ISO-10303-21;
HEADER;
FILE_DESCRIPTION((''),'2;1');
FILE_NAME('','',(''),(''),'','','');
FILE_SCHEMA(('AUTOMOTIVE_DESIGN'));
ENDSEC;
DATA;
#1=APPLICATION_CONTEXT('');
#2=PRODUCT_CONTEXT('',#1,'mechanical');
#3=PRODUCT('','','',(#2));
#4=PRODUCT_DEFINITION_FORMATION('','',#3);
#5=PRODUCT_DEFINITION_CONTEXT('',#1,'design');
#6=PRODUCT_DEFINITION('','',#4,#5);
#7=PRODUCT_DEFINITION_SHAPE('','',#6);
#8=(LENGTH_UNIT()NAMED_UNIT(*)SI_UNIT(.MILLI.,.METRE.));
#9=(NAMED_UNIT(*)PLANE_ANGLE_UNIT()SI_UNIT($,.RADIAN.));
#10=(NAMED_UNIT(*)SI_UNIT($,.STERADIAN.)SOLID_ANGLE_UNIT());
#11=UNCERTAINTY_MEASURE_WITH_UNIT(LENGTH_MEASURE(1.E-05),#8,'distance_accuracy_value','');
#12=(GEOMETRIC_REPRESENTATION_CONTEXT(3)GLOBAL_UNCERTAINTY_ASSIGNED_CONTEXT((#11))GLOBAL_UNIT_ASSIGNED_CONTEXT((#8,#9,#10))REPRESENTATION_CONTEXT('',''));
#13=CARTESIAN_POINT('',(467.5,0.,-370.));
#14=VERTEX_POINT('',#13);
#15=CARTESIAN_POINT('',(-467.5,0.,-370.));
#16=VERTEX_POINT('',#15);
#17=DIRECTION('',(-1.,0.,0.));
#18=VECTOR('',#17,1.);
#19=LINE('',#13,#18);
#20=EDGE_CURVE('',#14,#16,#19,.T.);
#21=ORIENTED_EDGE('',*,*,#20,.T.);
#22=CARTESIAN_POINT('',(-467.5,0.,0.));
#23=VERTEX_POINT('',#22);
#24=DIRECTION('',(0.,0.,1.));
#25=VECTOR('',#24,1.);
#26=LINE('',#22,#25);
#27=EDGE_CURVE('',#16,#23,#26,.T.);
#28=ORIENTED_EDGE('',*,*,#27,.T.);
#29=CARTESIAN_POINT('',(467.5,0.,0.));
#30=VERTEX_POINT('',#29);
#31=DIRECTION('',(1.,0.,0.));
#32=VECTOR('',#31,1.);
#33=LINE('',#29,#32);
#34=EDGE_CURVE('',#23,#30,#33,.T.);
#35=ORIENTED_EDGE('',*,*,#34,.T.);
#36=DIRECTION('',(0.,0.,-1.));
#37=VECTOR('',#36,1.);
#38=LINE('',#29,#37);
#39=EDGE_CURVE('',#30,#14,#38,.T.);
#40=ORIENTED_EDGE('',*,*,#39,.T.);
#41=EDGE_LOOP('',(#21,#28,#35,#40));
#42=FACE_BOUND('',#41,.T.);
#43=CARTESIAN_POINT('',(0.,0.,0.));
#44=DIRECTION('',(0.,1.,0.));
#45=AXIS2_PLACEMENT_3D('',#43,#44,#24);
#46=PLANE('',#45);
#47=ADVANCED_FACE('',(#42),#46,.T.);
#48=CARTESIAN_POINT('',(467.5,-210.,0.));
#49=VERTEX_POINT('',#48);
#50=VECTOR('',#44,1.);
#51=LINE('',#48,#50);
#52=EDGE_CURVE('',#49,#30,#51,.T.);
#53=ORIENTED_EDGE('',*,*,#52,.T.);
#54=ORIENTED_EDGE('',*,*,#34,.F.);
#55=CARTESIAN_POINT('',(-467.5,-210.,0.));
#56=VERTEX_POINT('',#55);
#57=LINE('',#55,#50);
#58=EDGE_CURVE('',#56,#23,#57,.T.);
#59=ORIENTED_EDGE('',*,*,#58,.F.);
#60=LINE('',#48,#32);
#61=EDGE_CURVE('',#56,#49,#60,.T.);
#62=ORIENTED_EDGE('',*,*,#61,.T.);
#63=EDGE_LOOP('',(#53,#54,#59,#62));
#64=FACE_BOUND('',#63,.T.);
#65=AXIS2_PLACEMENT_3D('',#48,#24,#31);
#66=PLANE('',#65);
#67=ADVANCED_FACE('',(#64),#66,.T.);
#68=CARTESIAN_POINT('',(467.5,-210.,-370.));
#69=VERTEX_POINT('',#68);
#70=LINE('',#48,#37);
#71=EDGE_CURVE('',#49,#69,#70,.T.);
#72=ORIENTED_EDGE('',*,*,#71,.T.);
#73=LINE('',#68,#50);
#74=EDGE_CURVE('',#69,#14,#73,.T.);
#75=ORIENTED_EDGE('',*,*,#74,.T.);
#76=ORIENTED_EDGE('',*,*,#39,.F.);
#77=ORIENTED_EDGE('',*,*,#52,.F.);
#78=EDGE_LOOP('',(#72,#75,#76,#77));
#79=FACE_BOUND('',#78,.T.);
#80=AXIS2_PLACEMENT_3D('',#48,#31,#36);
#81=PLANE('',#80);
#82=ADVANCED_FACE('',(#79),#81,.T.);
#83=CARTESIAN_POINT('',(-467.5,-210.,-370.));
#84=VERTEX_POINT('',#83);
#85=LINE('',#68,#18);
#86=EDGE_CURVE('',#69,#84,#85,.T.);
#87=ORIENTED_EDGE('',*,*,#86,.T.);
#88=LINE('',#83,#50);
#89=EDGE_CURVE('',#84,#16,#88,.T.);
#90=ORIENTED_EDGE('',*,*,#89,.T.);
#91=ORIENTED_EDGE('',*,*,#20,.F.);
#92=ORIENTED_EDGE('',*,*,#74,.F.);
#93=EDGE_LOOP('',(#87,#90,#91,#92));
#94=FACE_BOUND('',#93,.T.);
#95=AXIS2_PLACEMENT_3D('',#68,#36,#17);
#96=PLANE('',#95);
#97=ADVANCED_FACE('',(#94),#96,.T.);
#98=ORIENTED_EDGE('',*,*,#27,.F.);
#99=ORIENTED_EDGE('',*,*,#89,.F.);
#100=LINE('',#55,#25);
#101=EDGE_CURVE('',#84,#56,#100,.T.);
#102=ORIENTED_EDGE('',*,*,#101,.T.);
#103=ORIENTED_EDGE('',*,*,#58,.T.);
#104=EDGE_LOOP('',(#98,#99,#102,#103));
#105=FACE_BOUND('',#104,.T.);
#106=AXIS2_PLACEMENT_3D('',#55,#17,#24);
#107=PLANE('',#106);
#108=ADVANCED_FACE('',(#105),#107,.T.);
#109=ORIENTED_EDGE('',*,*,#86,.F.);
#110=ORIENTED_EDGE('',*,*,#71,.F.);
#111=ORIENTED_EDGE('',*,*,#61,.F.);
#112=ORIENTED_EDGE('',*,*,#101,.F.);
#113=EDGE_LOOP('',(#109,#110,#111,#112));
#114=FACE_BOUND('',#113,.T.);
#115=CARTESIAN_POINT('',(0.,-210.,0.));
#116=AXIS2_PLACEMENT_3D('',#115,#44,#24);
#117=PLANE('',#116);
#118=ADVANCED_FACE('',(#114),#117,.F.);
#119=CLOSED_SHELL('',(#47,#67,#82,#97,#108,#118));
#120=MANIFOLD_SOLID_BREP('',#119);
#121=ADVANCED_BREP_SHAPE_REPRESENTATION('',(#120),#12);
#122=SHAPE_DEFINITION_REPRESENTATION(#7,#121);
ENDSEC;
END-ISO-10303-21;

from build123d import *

# Parameters (mm, degrees)
SKETCH1_W           = 935
SKETCH1_H           = 370
BOSS_EXTRUDE1_DEPTH = 210


with BuildPart() as part:
    # Sketch1 → Boss-Extrude1 (new body)
    with BuildSketch(Plane(origin=(0, 0, 0), x_dir=(1, 0, 0), z_dir=(0, 1, 0))):
        with Locations((0, 185)):
            Rectangle(SKETCH1_W, SKETCH1_H)
    extrude(amount=-BOSS_EXTRUDE1_DEPTH)


solid = part.part
